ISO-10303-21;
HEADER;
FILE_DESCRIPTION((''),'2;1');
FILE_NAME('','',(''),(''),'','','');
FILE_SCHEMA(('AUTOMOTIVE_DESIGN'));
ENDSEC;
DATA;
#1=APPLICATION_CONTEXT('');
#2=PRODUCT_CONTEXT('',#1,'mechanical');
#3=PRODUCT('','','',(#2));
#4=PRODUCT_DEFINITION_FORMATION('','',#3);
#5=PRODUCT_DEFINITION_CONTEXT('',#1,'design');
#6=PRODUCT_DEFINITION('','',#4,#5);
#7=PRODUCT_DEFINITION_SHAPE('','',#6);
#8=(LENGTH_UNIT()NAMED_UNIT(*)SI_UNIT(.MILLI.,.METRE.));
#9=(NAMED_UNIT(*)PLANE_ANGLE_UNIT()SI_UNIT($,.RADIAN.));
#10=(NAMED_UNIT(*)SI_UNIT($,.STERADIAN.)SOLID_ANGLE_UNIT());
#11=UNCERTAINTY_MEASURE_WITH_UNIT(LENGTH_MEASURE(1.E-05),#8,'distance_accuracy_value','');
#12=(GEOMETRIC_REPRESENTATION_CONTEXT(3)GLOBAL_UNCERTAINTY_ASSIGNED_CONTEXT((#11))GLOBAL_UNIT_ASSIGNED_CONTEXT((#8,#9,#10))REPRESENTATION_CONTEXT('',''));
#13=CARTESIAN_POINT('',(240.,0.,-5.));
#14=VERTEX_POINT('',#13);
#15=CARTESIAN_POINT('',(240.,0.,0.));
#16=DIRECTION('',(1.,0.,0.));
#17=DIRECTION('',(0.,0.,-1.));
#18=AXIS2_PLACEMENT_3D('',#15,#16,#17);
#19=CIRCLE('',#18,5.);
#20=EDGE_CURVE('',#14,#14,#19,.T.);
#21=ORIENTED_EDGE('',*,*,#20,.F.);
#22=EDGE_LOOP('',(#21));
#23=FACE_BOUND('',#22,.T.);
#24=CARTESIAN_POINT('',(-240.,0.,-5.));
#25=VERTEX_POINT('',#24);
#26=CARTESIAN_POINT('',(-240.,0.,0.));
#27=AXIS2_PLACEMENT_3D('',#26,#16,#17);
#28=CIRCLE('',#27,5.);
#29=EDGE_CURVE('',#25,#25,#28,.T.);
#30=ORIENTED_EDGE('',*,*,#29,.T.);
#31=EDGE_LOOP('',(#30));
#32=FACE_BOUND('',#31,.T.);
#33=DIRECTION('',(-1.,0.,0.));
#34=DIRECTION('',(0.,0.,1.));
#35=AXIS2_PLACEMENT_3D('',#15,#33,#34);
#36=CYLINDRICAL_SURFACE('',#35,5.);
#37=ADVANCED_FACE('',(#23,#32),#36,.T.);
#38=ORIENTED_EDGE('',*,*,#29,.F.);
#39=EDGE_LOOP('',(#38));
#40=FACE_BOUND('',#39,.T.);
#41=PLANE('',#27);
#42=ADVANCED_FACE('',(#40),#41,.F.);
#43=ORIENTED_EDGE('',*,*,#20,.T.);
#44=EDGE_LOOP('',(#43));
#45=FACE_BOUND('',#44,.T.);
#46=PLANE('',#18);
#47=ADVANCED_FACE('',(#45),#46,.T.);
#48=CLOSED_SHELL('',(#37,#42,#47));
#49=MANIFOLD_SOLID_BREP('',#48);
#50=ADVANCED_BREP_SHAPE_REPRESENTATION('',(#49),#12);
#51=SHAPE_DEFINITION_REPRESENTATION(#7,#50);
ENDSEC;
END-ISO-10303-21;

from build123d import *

# Parameters (mm, degrees)
SKETCH1_R           = 5
BOSS_EXTRUDE1_DEPTH = 240


with BuildPart() as part:
    # Sketch1 → Boss-Extrude1 (new body, symmetric)
    with BuildSketch(Plane(origin=(0, 0, 0), x_dir=(0, 0, -1), z_dir=(1, 0, 0))):
        Circle(SKETCH1_R)
    extrude(amount=BOSS_EXTRUDE1_DEPTH, both=True)


solid = part.part
